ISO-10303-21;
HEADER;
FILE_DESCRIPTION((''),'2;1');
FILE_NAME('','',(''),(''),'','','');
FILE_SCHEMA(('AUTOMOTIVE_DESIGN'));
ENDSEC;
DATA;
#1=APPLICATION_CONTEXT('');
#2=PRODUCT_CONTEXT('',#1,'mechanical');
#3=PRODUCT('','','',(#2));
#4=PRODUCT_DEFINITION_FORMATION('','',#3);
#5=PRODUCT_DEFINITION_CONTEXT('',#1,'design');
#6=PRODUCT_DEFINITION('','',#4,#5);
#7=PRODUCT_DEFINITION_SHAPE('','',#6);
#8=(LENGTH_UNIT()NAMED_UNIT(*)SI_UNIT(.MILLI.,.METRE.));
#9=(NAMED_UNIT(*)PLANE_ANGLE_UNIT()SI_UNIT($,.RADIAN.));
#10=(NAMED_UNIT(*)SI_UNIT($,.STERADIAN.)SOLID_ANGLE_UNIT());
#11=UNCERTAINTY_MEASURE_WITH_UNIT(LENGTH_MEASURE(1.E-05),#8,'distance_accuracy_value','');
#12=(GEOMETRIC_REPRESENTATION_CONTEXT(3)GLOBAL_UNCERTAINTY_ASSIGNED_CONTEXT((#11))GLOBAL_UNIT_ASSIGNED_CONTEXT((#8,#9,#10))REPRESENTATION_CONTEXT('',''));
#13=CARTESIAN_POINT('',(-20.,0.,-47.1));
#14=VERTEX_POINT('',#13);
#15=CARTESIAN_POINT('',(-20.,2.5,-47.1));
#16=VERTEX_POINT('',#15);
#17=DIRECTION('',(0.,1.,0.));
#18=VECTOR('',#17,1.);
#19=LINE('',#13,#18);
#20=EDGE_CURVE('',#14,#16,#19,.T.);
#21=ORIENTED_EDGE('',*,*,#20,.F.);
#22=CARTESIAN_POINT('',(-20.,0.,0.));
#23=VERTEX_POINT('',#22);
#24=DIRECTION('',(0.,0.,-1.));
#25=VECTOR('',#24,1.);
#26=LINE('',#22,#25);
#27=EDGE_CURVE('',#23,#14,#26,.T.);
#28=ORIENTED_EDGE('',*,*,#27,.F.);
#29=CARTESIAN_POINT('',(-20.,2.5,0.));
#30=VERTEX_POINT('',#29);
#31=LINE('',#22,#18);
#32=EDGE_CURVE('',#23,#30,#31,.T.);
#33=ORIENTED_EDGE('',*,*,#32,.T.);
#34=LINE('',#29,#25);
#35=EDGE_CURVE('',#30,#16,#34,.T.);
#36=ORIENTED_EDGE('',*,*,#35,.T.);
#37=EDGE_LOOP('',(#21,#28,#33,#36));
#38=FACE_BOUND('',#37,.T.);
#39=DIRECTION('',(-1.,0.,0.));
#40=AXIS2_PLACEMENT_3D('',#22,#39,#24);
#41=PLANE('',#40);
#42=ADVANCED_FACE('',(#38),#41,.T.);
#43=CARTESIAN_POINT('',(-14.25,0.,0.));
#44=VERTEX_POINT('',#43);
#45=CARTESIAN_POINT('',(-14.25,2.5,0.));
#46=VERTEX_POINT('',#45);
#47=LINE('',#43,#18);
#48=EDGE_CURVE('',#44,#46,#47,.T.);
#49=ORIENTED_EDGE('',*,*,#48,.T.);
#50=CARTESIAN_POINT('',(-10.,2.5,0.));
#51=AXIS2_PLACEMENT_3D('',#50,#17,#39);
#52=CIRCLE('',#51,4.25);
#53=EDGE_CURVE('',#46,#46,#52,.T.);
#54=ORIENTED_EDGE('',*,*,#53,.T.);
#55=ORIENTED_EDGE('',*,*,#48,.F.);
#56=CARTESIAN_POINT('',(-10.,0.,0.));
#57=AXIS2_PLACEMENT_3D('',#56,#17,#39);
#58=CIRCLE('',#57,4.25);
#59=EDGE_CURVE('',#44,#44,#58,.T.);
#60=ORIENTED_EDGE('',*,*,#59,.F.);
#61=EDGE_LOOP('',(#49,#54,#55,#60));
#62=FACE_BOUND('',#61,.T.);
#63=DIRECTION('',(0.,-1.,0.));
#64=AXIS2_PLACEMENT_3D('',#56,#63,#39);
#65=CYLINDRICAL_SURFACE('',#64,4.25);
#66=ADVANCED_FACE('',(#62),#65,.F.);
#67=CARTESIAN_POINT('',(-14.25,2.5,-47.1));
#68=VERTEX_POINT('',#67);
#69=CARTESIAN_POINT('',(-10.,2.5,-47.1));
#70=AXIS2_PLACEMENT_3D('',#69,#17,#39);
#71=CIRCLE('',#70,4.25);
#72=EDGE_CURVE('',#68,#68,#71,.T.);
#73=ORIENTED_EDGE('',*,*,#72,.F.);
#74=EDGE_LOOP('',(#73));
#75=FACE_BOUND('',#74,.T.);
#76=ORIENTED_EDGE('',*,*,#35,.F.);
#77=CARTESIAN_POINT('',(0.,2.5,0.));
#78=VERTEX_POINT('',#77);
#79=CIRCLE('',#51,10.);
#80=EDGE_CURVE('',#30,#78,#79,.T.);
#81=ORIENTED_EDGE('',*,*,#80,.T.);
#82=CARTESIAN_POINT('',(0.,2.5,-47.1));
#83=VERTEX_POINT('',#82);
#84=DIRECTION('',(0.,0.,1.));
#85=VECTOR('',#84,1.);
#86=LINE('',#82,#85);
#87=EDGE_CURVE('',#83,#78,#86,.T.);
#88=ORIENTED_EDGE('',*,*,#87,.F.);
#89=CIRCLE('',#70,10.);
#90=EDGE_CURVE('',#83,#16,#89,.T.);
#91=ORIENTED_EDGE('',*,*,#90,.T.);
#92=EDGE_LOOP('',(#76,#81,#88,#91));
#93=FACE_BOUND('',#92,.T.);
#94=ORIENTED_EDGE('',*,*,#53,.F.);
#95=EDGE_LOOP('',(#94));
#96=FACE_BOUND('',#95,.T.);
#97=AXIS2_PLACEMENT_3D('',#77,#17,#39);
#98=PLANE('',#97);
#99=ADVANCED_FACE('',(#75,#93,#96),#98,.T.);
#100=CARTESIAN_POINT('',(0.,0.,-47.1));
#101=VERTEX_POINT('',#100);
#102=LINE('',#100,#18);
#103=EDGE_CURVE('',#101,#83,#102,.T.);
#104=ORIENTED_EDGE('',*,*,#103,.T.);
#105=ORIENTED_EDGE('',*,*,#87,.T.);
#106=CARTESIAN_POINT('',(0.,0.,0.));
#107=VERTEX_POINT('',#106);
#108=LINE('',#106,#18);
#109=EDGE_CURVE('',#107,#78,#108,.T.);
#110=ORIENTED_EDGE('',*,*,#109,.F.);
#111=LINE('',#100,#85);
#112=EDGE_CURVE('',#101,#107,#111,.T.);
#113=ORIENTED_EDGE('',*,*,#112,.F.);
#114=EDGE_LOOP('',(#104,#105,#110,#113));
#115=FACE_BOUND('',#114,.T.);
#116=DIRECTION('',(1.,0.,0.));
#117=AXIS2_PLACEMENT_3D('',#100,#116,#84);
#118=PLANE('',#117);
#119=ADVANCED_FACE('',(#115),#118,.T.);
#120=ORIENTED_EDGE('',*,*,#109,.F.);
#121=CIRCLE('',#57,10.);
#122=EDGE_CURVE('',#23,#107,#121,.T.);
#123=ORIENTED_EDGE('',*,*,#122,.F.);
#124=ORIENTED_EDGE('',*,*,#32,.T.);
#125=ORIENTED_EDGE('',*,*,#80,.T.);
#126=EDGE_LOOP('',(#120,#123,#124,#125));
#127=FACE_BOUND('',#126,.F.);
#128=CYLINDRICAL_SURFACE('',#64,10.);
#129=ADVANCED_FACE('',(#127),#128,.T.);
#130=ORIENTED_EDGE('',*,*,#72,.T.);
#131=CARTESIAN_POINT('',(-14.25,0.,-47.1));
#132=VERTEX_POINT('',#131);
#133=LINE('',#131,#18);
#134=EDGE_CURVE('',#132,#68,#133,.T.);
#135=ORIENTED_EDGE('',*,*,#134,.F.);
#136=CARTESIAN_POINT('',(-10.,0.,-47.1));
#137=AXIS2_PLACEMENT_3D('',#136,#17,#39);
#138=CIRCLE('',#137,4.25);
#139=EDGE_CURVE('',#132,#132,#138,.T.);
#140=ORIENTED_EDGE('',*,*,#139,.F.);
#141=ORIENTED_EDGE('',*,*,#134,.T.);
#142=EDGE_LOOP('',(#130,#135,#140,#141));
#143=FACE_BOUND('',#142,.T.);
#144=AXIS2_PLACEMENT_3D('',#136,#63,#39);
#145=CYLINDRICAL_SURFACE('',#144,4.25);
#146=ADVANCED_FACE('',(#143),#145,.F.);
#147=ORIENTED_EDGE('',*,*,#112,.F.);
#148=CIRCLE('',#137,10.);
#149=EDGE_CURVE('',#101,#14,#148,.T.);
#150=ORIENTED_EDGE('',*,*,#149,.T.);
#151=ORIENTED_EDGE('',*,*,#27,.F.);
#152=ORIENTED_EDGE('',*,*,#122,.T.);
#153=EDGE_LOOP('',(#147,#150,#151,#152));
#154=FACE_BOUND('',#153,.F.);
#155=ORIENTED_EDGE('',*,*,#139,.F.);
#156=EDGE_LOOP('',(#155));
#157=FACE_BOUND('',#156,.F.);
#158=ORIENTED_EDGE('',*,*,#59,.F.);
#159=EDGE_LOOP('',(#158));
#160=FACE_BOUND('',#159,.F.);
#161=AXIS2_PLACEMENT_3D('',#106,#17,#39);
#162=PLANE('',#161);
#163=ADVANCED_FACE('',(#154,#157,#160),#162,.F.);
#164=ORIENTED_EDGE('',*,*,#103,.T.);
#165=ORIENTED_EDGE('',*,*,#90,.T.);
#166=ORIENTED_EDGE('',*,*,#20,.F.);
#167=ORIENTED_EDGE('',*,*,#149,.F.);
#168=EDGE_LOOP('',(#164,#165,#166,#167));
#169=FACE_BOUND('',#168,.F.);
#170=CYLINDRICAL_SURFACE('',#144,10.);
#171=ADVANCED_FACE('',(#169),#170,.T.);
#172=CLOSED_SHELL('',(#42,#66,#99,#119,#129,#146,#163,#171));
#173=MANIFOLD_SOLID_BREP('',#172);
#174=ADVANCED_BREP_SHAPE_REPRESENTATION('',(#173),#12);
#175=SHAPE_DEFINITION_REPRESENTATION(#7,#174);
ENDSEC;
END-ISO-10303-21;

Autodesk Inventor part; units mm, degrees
ref_plane "YZ Plane" through (0, 0, 0) normal (1, 0, 0) x (0, 1, 0)
ref_plane "XZ Plane" through (0, 0, 0) normal (0, 1, 0) x (-1, 0, 0)
ref_plane "XY Plane" through (0, 0, 0) normal (0, 0, 1) x (1, 0, 0)
sketch "スケッチ1" plane through (0, 0, 0) normal (0, 1, 0) x (-1, 0, 0)
  line L0 (0, 0) -> (20, 0) construction
  line L1 (20, 0) -> (20, -47.1)
  line L2 (20, -47.1) -> (0, -47.1) construction
  line L3 (0, -47.1) -> (0, 0)
  circle A0 centre (10, 0) radius 10
  circle A1 centre (10, -47.1) radius 10
  circle A2 centre (10, 0) radius 4.25
  circle A3 centre (10, -47.1) radius 4.25
  dimension "d0" = 47.1
  dimension "d1" = 20
  dimension "d4" = 8.5
  dimension "d5" = 8.5
extrude "押し出し1" add sketch "スケッチ1" along normal blind 2.5
properties part number "ベルト_bighall"
